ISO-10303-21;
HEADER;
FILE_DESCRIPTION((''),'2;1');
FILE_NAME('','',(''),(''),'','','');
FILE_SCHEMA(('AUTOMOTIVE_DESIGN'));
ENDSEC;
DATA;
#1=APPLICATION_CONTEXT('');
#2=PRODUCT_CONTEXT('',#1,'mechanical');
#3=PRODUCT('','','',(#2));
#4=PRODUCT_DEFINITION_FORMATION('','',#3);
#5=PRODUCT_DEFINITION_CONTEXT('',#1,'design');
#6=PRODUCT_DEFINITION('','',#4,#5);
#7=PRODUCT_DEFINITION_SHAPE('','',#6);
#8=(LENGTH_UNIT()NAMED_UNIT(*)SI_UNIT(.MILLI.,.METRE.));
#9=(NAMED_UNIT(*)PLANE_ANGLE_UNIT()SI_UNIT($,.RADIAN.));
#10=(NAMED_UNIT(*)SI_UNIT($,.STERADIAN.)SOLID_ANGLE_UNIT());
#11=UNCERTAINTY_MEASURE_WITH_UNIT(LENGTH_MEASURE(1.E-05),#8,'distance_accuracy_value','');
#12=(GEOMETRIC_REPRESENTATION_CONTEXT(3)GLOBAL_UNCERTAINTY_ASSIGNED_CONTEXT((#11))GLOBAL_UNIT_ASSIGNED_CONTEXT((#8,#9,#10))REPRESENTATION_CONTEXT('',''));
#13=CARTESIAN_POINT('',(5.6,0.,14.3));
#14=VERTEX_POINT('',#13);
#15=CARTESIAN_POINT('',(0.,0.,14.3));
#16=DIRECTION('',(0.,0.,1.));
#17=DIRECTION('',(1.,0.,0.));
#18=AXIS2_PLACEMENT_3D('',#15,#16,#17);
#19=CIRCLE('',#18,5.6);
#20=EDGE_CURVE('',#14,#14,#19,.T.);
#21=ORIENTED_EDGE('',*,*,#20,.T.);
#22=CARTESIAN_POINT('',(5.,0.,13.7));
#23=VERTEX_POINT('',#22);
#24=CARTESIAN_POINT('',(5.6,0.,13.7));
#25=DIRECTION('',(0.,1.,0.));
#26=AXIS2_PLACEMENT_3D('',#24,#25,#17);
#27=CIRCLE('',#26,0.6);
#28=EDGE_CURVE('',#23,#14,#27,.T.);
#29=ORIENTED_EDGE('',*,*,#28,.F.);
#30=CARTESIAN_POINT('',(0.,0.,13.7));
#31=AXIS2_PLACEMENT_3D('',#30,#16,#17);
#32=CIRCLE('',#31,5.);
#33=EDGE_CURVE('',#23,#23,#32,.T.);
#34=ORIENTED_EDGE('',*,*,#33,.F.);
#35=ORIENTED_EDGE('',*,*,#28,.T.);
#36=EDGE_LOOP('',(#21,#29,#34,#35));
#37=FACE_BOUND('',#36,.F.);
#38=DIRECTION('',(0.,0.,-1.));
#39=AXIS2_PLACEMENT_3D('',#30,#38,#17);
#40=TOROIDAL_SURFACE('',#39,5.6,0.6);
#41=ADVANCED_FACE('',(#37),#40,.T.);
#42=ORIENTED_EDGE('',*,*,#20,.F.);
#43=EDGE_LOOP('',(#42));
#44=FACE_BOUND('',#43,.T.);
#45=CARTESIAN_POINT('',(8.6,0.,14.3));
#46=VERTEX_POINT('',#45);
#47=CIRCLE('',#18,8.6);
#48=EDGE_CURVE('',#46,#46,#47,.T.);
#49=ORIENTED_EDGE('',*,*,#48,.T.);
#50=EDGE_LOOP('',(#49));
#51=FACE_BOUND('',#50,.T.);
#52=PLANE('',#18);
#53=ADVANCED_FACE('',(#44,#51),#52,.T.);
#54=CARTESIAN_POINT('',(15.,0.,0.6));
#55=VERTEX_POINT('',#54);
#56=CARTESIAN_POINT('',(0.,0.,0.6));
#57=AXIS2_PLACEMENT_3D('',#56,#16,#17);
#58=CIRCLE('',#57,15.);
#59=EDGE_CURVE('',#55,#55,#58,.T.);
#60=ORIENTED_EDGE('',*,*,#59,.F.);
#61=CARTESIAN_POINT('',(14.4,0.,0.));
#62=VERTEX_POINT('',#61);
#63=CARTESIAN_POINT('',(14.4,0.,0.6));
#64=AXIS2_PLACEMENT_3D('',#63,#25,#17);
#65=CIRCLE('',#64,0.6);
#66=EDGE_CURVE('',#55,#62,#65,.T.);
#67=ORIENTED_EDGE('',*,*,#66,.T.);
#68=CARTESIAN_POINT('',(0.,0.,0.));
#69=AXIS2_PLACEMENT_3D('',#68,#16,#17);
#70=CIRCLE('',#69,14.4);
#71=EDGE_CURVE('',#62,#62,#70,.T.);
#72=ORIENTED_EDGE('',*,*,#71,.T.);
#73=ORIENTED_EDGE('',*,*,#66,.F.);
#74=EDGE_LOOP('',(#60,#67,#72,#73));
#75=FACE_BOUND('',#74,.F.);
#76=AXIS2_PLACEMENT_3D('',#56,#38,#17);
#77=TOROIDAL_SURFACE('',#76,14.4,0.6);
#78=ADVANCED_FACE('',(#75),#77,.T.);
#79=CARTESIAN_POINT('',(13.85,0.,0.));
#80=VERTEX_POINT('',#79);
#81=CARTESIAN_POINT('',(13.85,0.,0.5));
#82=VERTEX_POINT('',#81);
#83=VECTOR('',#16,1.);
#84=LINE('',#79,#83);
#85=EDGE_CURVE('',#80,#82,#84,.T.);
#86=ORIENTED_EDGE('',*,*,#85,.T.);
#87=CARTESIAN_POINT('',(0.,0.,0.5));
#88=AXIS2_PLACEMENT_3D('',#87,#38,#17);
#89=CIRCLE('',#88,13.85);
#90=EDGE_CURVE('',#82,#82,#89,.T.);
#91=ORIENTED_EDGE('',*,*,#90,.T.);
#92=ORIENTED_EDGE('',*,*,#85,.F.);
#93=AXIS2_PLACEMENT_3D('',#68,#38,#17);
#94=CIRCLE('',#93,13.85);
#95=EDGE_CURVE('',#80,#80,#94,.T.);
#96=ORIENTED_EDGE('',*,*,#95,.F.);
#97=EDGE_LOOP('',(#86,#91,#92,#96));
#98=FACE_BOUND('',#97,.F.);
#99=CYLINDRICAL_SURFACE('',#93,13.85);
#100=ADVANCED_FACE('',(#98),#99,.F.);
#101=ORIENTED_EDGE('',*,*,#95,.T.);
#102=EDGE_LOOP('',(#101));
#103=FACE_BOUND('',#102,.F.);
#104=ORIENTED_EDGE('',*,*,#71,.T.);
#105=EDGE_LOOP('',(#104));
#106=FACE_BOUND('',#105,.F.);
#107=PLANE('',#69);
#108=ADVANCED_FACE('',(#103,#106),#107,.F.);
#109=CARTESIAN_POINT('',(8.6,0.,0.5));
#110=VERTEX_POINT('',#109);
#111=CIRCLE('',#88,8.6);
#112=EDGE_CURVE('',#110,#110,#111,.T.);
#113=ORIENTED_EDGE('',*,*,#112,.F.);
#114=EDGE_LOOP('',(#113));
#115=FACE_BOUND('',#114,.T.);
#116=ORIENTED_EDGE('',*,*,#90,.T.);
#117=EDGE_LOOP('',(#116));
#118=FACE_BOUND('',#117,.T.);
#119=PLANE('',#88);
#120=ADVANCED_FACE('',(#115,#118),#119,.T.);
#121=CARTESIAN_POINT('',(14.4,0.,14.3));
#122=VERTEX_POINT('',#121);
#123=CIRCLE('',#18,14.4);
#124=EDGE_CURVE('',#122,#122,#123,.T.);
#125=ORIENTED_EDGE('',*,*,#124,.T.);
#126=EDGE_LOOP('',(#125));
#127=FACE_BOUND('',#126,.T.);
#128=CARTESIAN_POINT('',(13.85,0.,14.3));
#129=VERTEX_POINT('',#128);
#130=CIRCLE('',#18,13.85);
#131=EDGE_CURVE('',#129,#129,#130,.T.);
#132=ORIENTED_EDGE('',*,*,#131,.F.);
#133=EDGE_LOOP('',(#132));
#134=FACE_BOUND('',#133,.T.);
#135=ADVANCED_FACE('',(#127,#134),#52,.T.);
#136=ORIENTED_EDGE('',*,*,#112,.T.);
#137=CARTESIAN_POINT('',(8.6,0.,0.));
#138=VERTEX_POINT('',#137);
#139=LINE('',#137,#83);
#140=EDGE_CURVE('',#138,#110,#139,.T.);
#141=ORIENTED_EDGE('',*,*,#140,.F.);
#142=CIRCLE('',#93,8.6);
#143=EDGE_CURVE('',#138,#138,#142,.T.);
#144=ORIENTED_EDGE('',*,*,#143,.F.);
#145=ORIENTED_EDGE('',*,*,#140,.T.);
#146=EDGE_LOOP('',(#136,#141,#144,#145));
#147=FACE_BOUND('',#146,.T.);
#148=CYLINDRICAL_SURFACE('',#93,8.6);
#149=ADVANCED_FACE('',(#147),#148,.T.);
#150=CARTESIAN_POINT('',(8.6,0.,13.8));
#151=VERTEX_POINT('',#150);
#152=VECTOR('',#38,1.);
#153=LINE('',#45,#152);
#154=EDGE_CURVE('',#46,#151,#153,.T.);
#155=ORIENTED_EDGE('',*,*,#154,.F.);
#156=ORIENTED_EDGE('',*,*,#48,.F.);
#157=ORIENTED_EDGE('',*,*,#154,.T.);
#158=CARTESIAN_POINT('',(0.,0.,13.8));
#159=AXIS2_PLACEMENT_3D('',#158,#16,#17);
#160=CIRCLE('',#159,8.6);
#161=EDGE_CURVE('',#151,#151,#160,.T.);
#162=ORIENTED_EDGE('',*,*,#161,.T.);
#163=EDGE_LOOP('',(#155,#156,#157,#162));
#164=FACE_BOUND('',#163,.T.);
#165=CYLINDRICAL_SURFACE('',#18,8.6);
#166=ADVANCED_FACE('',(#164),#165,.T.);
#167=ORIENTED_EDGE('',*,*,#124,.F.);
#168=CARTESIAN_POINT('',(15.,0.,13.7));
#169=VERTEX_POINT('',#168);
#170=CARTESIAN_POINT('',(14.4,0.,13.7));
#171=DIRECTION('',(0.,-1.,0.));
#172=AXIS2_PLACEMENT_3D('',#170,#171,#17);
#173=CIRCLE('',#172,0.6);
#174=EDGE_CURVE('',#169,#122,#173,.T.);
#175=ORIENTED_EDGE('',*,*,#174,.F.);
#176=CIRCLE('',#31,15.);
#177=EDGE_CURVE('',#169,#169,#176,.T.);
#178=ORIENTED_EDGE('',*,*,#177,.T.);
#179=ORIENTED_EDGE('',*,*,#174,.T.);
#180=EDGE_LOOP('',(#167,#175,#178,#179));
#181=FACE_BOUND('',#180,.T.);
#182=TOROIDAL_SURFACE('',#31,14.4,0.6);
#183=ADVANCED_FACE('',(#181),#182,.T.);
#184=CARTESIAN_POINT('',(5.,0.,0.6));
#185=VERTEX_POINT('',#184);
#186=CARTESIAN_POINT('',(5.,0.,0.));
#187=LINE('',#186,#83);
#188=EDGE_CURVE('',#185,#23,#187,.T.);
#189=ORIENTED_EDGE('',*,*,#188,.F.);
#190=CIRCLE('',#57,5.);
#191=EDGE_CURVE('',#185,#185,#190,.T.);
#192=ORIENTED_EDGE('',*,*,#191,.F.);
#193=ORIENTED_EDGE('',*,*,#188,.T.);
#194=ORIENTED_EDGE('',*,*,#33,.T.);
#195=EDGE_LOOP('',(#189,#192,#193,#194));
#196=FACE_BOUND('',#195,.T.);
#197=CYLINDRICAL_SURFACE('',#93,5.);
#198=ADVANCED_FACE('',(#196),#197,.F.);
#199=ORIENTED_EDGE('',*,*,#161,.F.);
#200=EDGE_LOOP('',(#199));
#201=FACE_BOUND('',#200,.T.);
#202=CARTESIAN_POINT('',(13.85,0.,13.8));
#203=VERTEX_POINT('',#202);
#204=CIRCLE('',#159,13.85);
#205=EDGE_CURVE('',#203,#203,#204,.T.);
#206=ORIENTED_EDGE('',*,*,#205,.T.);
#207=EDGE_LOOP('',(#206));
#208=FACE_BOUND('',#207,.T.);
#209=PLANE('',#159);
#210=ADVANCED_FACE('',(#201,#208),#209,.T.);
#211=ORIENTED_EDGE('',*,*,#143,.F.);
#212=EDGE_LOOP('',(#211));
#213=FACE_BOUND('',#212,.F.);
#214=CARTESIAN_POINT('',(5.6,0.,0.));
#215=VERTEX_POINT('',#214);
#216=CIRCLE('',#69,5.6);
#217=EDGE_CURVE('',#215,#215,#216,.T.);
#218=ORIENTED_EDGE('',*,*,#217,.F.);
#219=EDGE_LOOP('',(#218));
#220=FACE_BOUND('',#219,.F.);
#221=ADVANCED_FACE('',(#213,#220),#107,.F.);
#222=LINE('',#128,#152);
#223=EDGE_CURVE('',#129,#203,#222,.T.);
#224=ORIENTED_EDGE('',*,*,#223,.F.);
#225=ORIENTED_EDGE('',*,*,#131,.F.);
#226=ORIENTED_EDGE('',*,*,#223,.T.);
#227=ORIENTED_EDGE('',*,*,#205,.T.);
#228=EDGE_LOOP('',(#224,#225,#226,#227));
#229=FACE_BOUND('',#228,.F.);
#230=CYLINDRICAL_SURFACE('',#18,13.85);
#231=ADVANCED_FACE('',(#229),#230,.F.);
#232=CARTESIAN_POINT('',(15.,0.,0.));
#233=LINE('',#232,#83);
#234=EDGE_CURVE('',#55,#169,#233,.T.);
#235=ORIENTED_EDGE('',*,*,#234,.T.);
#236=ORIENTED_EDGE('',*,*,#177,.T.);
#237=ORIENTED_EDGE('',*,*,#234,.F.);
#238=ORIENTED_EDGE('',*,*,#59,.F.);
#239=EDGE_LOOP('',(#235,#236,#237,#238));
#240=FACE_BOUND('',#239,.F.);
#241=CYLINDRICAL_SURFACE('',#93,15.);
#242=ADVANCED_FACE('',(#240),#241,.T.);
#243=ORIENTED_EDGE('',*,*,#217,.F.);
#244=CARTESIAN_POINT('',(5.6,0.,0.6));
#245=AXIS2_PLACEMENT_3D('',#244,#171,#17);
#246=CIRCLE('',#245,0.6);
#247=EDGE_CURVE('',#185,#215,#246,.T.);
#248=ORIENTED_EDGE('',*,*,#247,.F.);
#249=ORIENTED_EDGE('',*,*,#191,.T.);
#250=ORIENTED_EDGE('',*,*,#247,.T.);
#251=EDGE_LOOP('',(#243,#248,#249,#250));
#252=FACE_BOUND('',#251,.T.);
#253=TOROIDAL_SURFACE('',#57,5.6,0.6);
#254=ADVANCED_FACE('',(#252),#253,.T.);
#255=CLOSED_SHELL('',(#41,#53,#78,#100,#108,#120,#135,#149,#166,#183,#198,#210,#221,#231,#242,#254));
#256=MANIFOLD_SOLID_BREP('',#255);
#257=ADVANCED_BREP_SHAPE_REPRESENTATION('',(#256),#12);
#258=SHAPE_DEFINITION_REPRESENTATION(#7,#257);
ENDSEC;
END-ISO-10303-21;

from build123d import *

# Parameters (mm, degrees)
F0_R     = 15
F0_R_2   = 5
F1_DEPTH = 14.3
F2_R     = 0.6
F3_R     = 13.85
F3_R_2   = 8.6
F4_DEPTH = 0.5
F5_R     = 13.85
F5_R_2   = 8.6
F6_DEPTH = 0.5


with BuildPart() as f1:
    # F0 (on Top) → F1 (new body)
    with BuildSketch(Plane.XY):
        Circle(F0_R)
        Circle(F0_R_2, mode=Mode.SUBTRACT)
    extrude(amount=F1_DEPTH)

    # F2
    f2_edges = [f1.edges().sort_by_distance(p)[0] for p in [
        (5, 0, 7.15),
        (-5, 0, 0),
        (-5, 0, 14.3),
        (15, 0, 7.15),
        (-15, 0, 0),
        (-15, 0, 14.3),
    ]]
    fillet(f2_edges, radius=F2_R)

    # F3 (on face) → F4 (cut)
    with BuildSketch(Plane.XY.offset(14.3)):
        Circle(F3_R)
        Circle(F3_R_2, mode=Mode.SUBTRACT)
    extrude(amount=-F4_DEPTH, mode=Mode.SUBTRACT)

    # F5 (on face) → F6 (cut)
    with BuildSketch(Plane(origin=(0, 0, 0), x_dir=(1, 0, 0), z_dir=(0, 0, -1))):
        Circle(F5_R)
        Circle(F5_R_2, mode=Mode.SUBTRACT)
    extrude(amount=-F6_DEPTH, mode=Mode.SUBTRACT)


solid = f1.part
